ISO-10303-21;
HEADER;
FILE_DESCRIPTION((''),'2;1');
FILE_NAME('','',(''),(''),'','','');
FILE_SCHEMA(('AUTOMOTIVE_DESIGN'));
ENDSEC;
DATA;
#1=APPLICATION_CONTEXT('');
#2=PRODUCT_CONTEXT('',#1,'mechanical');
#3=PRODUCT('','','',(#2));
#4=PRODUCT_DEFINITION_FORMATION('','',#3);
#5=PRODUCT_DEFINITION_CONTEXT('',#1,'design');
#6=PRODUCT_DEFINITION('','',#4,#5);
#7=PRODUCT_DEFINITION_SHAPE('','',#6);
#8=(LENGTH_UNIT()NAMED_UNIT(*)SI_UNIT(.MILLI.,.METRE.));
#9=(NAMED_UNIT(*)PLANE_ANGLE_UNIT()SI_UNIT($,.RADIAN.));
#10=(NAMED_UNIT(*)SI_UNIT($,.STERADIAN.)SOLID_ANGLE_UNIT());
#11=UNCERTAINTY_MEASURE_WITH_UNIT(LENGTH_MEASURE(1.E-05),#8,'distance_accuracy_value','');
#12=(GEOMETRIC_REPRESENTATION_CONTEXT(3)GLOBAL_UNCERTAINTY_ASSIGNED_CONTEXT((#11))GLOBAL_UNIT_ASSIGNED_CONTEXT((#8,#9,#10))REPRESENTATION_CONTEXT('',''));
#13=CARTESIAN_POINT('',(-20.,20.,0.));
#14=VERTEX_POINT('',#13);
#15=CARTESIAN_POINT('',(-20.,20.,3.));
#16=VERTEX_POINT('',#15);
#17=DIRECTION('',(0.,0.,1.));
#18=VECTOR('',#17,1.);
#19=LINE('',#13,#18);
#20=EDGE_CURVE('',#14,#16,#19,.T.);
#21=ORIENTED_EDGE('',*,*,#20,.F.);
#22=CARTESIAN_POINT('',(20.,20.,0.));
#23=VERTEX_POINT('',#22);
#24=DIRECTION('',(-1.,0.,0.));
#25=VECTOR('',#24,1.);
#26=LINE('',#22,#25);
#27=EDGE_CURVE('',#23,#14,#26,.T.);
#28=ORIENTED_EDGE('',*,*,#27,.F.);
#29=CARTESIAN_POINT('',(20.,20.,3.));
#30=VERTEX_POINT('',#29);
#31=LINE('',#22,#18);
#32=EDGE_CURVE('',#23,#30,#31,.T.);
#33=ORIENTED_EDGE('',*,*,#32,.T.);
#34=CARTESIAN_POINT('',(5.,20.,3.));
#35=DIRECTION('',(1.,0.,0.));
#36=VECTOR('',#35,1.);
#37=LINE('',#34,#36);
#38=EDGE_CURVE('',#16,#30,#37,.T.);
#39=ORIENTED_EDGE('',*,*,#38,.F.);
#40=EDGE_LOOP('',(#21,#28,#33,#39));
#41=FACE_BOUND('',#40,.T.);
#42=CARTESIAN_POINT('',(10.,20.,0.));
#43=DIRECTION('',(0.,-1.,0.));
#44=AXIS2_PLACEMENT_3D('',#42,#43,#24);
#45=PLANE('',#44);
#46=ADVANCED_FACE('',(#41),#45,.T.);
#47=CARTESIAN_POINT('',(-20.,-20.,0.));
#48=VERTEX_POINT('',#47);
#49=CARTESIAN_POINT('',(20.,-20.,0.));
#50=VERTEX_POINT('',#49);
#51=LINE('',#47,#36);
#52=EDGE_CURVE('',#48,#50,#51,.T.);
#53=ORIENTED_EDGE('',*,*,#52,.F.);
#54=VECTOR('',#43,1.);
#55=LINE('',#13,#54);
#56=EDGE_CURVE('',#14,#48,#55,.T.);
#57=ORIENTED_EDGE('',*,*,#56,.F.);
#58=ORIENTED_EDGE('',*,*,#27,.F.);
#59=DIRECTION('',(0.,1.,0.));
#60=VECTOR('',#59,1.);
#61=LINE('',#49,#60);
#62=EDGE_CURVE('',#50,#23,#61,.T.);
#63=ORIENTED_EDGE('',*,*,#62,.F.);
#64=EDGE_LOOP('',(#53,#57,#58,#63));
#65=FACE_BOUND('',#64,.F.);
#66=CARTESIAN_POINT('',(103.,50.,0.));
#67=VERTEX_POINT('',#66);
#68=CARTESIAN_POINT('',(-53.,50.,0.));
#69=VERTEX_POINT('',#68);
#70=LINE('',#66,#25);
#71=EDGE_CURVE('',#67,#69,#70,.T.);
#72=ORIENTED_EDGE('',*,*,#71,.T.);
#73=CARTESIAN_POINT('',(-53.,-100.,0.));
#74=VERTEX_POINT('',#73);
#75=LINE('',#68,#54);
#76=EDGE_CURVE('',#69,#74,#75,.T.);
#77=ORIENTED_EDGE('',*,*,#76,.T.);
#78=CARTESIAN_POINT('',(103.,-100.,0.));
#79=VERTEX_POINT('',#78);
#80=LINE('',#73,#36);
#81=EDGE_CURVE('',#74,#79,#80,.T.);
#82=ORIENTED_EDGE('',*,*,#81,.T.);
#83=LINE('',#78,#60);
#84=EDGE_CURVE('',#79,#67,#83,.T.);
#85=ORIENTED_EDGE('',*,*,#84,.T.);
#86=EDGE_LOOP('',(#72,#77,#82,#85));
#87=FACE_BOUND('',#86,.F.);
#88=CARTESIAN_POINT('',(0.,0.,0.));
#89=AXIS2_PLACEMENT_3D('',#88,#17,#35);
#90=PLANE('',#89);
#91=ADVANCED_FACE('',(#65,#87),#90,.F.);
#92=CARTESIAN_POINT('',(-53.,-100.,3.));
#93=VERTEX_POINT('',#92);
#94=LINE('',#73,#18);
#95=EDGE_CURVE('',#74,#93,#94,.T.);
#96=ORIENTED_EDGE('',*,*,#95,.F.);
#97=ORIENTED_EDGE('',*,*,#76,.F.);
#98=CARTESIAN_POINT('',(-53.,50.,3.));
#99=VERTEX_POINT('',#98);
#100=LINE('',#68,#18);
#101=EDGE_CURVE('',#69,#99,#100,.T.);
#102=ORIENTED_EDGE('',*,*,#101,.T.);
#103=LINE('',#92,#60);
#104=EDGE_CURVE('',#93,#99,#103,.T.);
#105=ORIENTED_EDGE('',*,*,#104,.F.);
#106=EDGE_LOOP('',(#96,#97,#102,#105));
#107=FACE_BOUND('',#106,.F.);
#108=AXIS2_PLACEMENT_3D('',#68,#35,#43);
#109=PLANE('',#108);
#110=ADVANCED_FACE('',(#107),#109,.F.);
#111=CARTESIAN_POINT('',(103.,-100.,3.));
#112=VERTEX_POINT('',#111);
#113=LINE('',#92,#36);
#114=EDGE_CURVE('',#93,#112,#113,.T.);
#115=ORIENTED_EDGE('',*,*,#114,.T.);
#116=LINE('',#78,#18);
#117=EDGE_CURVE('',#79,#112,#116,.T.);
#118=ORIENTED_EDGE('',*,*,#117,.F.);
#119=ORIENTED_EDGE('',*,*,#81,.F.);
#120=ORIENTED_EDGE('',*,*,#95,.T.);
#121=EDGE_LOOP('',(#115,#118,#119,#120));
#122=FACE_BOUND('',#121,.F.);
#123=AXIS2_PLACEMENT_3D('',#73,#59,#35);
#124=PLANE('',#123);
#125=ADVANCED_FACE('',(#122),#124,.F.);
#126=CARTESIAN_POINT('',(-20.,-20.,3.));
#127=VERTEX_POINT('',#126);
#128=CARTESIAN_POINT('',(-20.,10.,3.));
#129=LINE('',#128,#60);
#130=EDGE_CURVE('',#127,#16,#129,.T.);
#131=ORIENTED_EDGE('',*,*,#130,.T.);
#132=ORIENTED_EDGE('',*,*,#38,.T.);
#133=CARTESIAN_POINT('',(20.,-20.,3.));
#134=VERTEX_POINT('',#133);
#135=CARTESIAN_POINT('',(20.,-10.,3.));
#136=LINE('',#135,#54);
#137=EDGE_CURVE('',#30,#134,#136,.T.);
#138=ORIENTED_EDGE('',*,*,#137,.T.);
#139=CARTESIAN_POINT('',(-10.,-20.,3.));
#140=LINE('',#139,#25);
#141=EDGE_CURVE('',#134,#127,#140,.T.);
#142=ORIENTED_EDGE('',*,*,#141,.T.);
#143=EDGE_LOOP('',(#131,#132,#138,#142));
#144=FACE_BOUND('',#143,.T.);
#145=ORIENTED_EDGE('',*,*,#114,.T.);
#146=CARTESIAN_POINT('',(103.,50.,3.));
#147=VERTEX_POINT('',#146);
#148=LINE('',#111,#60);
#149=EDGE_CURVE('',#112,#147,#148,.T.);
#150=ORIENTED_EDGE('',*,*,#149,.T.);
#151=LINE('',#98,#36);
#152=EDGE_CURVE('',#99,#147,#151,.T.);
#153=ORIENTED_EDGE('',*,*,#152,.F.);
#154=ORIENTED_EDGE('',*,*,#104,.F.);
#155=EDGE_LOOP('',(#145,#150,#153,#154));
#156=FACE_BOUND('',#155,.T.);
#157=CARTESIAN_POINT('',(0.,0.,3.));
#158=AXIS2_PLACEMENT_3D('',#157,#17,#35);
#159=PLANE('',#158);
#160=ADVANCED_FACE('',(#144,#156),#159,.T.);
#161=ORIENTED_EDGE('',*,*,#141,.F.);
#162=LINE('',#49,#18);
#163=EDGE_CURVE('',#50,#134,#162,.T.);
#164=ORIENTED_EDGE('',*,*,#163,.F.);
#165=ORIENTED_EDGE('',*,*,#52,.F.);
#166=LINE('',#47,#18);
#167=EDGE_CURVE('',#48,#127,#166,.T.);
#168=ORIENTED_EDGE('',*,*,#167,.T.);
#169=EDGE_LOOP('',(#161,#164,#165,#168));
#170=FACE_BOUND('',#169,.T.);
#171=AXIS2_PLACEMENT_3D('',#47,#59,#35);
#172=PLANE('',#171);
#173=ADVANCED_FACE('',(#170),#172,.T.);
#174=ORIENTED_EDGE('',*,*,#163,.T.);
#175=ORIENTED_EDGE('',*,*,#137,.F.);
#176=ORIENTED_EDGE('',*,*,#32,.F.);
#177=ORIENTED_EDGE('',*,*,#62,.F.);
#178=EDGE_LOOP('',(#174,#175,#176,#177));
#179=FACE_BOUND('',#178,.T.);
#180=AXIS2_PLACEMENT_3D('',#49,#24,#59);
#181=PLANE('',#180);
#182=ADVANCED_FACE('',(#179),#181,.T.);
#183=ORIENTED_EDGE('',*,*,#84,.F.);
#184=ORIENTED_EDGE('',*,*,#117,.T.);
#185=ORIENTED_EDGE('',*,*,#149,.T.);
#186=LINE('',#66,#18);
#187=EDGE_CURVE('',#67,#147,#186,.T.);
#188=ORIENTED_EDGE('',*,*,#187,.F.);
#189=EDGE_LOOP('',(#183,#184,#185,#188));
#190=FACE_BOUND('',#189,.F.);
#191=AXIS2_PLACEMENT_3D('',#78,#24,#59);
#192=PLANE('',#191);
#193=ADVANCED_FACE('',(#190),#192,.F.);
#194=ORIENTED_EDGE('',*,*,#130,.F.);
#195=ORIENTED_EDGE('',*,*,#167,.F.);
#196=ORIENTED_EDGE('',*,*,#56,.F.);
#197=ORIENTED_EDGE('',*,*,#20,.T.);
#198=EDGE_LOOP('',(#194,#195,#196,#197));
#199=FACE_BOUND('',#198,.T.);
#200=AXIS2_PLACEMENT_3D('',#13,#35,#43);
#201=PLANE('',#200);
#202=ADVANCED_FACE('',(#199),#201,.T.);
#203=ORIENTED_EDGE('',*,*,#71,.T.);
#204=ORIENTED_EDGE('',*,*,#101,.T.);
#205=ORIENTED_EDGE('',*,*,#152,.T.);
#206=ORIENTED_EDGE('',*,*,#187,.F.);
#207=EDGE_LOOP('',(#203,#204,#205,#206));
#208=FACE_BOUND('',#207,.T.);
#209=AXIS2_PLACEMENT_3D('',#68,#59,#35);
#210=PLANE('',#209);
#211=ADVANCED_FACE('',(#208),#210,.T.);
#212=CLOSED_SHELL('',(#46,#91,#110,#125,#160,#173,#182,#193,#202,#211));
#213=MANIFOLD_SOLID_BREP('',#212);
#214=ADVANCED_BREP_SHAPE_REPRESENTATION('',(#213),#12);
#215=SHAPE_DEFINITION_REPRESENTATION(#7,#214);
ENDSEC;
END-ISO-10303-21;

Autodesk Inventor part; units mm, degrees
ref_plane "YZ Plane" through (0, 0, 0) normal (1, 0, 0) x (0, 1, 0)
ref_plane "XZ Plane" through (0, 0, 0) normal (0, 1, 0) x (-1, 0, 0)
ref_plane "XY Plane" through (0, 0, 0) normal (0, 0, 1) x (1, 0, 0)
sketch "Sketch1" plane through (0, 0, 0) normal (0, 0, 1) x (1, 0, 0)
  line L0 (-53, 50) -> (103, 50)
  line L1 (-53, 50) -> (-53, -100)
  line L2 (-53, -100) -> (103, -100)
  line L3 (103, -100) -> (103, 50)
  line L4 (0, 0) -> (-53, 0)
  line L5 (0, 0) -> (25, 50)
  line L6 (103, 50) -> (23, 50)
  line L7 (-20, -20) -> (20, -20)
  line L8 (20, -20) -> (20, 20)
  line L9 (20, 20) -> (-20, 20)
  line L10 (-20, 20) -> (-20, -20)
  line L11 (-20, -20) -> (20, 20) construction
  line L12 (20, -20) -> (-20, 20) construction
  dimension "d0" = 156
  dimension "d1" = 150
sketch "Sketch2" plane through (0, 0, 0) normal (0, 0, 1) x (1, 0, 0)
  point P0 (0, 0)
extrude "Extrusion1" add sketch "Sketch1" along normal blind 3
sketch "Sketch3" plane through (103, -100, 0) normal (1, 0, 0) x (0, 0, -1)
  point P0 (0, 100)
sketch "Sketch4" plane through (0, 0, 0) normal (0, 0, 1) x (1, 0, 0)
  point P0 (0, 0)
extrude "Extrusion3" cut sketch "Sketch1" along normal blind 10 contours L10 L9 L5 L4 | L4 L5 L9 L8 L7 L10
properties part number "box bottom"
